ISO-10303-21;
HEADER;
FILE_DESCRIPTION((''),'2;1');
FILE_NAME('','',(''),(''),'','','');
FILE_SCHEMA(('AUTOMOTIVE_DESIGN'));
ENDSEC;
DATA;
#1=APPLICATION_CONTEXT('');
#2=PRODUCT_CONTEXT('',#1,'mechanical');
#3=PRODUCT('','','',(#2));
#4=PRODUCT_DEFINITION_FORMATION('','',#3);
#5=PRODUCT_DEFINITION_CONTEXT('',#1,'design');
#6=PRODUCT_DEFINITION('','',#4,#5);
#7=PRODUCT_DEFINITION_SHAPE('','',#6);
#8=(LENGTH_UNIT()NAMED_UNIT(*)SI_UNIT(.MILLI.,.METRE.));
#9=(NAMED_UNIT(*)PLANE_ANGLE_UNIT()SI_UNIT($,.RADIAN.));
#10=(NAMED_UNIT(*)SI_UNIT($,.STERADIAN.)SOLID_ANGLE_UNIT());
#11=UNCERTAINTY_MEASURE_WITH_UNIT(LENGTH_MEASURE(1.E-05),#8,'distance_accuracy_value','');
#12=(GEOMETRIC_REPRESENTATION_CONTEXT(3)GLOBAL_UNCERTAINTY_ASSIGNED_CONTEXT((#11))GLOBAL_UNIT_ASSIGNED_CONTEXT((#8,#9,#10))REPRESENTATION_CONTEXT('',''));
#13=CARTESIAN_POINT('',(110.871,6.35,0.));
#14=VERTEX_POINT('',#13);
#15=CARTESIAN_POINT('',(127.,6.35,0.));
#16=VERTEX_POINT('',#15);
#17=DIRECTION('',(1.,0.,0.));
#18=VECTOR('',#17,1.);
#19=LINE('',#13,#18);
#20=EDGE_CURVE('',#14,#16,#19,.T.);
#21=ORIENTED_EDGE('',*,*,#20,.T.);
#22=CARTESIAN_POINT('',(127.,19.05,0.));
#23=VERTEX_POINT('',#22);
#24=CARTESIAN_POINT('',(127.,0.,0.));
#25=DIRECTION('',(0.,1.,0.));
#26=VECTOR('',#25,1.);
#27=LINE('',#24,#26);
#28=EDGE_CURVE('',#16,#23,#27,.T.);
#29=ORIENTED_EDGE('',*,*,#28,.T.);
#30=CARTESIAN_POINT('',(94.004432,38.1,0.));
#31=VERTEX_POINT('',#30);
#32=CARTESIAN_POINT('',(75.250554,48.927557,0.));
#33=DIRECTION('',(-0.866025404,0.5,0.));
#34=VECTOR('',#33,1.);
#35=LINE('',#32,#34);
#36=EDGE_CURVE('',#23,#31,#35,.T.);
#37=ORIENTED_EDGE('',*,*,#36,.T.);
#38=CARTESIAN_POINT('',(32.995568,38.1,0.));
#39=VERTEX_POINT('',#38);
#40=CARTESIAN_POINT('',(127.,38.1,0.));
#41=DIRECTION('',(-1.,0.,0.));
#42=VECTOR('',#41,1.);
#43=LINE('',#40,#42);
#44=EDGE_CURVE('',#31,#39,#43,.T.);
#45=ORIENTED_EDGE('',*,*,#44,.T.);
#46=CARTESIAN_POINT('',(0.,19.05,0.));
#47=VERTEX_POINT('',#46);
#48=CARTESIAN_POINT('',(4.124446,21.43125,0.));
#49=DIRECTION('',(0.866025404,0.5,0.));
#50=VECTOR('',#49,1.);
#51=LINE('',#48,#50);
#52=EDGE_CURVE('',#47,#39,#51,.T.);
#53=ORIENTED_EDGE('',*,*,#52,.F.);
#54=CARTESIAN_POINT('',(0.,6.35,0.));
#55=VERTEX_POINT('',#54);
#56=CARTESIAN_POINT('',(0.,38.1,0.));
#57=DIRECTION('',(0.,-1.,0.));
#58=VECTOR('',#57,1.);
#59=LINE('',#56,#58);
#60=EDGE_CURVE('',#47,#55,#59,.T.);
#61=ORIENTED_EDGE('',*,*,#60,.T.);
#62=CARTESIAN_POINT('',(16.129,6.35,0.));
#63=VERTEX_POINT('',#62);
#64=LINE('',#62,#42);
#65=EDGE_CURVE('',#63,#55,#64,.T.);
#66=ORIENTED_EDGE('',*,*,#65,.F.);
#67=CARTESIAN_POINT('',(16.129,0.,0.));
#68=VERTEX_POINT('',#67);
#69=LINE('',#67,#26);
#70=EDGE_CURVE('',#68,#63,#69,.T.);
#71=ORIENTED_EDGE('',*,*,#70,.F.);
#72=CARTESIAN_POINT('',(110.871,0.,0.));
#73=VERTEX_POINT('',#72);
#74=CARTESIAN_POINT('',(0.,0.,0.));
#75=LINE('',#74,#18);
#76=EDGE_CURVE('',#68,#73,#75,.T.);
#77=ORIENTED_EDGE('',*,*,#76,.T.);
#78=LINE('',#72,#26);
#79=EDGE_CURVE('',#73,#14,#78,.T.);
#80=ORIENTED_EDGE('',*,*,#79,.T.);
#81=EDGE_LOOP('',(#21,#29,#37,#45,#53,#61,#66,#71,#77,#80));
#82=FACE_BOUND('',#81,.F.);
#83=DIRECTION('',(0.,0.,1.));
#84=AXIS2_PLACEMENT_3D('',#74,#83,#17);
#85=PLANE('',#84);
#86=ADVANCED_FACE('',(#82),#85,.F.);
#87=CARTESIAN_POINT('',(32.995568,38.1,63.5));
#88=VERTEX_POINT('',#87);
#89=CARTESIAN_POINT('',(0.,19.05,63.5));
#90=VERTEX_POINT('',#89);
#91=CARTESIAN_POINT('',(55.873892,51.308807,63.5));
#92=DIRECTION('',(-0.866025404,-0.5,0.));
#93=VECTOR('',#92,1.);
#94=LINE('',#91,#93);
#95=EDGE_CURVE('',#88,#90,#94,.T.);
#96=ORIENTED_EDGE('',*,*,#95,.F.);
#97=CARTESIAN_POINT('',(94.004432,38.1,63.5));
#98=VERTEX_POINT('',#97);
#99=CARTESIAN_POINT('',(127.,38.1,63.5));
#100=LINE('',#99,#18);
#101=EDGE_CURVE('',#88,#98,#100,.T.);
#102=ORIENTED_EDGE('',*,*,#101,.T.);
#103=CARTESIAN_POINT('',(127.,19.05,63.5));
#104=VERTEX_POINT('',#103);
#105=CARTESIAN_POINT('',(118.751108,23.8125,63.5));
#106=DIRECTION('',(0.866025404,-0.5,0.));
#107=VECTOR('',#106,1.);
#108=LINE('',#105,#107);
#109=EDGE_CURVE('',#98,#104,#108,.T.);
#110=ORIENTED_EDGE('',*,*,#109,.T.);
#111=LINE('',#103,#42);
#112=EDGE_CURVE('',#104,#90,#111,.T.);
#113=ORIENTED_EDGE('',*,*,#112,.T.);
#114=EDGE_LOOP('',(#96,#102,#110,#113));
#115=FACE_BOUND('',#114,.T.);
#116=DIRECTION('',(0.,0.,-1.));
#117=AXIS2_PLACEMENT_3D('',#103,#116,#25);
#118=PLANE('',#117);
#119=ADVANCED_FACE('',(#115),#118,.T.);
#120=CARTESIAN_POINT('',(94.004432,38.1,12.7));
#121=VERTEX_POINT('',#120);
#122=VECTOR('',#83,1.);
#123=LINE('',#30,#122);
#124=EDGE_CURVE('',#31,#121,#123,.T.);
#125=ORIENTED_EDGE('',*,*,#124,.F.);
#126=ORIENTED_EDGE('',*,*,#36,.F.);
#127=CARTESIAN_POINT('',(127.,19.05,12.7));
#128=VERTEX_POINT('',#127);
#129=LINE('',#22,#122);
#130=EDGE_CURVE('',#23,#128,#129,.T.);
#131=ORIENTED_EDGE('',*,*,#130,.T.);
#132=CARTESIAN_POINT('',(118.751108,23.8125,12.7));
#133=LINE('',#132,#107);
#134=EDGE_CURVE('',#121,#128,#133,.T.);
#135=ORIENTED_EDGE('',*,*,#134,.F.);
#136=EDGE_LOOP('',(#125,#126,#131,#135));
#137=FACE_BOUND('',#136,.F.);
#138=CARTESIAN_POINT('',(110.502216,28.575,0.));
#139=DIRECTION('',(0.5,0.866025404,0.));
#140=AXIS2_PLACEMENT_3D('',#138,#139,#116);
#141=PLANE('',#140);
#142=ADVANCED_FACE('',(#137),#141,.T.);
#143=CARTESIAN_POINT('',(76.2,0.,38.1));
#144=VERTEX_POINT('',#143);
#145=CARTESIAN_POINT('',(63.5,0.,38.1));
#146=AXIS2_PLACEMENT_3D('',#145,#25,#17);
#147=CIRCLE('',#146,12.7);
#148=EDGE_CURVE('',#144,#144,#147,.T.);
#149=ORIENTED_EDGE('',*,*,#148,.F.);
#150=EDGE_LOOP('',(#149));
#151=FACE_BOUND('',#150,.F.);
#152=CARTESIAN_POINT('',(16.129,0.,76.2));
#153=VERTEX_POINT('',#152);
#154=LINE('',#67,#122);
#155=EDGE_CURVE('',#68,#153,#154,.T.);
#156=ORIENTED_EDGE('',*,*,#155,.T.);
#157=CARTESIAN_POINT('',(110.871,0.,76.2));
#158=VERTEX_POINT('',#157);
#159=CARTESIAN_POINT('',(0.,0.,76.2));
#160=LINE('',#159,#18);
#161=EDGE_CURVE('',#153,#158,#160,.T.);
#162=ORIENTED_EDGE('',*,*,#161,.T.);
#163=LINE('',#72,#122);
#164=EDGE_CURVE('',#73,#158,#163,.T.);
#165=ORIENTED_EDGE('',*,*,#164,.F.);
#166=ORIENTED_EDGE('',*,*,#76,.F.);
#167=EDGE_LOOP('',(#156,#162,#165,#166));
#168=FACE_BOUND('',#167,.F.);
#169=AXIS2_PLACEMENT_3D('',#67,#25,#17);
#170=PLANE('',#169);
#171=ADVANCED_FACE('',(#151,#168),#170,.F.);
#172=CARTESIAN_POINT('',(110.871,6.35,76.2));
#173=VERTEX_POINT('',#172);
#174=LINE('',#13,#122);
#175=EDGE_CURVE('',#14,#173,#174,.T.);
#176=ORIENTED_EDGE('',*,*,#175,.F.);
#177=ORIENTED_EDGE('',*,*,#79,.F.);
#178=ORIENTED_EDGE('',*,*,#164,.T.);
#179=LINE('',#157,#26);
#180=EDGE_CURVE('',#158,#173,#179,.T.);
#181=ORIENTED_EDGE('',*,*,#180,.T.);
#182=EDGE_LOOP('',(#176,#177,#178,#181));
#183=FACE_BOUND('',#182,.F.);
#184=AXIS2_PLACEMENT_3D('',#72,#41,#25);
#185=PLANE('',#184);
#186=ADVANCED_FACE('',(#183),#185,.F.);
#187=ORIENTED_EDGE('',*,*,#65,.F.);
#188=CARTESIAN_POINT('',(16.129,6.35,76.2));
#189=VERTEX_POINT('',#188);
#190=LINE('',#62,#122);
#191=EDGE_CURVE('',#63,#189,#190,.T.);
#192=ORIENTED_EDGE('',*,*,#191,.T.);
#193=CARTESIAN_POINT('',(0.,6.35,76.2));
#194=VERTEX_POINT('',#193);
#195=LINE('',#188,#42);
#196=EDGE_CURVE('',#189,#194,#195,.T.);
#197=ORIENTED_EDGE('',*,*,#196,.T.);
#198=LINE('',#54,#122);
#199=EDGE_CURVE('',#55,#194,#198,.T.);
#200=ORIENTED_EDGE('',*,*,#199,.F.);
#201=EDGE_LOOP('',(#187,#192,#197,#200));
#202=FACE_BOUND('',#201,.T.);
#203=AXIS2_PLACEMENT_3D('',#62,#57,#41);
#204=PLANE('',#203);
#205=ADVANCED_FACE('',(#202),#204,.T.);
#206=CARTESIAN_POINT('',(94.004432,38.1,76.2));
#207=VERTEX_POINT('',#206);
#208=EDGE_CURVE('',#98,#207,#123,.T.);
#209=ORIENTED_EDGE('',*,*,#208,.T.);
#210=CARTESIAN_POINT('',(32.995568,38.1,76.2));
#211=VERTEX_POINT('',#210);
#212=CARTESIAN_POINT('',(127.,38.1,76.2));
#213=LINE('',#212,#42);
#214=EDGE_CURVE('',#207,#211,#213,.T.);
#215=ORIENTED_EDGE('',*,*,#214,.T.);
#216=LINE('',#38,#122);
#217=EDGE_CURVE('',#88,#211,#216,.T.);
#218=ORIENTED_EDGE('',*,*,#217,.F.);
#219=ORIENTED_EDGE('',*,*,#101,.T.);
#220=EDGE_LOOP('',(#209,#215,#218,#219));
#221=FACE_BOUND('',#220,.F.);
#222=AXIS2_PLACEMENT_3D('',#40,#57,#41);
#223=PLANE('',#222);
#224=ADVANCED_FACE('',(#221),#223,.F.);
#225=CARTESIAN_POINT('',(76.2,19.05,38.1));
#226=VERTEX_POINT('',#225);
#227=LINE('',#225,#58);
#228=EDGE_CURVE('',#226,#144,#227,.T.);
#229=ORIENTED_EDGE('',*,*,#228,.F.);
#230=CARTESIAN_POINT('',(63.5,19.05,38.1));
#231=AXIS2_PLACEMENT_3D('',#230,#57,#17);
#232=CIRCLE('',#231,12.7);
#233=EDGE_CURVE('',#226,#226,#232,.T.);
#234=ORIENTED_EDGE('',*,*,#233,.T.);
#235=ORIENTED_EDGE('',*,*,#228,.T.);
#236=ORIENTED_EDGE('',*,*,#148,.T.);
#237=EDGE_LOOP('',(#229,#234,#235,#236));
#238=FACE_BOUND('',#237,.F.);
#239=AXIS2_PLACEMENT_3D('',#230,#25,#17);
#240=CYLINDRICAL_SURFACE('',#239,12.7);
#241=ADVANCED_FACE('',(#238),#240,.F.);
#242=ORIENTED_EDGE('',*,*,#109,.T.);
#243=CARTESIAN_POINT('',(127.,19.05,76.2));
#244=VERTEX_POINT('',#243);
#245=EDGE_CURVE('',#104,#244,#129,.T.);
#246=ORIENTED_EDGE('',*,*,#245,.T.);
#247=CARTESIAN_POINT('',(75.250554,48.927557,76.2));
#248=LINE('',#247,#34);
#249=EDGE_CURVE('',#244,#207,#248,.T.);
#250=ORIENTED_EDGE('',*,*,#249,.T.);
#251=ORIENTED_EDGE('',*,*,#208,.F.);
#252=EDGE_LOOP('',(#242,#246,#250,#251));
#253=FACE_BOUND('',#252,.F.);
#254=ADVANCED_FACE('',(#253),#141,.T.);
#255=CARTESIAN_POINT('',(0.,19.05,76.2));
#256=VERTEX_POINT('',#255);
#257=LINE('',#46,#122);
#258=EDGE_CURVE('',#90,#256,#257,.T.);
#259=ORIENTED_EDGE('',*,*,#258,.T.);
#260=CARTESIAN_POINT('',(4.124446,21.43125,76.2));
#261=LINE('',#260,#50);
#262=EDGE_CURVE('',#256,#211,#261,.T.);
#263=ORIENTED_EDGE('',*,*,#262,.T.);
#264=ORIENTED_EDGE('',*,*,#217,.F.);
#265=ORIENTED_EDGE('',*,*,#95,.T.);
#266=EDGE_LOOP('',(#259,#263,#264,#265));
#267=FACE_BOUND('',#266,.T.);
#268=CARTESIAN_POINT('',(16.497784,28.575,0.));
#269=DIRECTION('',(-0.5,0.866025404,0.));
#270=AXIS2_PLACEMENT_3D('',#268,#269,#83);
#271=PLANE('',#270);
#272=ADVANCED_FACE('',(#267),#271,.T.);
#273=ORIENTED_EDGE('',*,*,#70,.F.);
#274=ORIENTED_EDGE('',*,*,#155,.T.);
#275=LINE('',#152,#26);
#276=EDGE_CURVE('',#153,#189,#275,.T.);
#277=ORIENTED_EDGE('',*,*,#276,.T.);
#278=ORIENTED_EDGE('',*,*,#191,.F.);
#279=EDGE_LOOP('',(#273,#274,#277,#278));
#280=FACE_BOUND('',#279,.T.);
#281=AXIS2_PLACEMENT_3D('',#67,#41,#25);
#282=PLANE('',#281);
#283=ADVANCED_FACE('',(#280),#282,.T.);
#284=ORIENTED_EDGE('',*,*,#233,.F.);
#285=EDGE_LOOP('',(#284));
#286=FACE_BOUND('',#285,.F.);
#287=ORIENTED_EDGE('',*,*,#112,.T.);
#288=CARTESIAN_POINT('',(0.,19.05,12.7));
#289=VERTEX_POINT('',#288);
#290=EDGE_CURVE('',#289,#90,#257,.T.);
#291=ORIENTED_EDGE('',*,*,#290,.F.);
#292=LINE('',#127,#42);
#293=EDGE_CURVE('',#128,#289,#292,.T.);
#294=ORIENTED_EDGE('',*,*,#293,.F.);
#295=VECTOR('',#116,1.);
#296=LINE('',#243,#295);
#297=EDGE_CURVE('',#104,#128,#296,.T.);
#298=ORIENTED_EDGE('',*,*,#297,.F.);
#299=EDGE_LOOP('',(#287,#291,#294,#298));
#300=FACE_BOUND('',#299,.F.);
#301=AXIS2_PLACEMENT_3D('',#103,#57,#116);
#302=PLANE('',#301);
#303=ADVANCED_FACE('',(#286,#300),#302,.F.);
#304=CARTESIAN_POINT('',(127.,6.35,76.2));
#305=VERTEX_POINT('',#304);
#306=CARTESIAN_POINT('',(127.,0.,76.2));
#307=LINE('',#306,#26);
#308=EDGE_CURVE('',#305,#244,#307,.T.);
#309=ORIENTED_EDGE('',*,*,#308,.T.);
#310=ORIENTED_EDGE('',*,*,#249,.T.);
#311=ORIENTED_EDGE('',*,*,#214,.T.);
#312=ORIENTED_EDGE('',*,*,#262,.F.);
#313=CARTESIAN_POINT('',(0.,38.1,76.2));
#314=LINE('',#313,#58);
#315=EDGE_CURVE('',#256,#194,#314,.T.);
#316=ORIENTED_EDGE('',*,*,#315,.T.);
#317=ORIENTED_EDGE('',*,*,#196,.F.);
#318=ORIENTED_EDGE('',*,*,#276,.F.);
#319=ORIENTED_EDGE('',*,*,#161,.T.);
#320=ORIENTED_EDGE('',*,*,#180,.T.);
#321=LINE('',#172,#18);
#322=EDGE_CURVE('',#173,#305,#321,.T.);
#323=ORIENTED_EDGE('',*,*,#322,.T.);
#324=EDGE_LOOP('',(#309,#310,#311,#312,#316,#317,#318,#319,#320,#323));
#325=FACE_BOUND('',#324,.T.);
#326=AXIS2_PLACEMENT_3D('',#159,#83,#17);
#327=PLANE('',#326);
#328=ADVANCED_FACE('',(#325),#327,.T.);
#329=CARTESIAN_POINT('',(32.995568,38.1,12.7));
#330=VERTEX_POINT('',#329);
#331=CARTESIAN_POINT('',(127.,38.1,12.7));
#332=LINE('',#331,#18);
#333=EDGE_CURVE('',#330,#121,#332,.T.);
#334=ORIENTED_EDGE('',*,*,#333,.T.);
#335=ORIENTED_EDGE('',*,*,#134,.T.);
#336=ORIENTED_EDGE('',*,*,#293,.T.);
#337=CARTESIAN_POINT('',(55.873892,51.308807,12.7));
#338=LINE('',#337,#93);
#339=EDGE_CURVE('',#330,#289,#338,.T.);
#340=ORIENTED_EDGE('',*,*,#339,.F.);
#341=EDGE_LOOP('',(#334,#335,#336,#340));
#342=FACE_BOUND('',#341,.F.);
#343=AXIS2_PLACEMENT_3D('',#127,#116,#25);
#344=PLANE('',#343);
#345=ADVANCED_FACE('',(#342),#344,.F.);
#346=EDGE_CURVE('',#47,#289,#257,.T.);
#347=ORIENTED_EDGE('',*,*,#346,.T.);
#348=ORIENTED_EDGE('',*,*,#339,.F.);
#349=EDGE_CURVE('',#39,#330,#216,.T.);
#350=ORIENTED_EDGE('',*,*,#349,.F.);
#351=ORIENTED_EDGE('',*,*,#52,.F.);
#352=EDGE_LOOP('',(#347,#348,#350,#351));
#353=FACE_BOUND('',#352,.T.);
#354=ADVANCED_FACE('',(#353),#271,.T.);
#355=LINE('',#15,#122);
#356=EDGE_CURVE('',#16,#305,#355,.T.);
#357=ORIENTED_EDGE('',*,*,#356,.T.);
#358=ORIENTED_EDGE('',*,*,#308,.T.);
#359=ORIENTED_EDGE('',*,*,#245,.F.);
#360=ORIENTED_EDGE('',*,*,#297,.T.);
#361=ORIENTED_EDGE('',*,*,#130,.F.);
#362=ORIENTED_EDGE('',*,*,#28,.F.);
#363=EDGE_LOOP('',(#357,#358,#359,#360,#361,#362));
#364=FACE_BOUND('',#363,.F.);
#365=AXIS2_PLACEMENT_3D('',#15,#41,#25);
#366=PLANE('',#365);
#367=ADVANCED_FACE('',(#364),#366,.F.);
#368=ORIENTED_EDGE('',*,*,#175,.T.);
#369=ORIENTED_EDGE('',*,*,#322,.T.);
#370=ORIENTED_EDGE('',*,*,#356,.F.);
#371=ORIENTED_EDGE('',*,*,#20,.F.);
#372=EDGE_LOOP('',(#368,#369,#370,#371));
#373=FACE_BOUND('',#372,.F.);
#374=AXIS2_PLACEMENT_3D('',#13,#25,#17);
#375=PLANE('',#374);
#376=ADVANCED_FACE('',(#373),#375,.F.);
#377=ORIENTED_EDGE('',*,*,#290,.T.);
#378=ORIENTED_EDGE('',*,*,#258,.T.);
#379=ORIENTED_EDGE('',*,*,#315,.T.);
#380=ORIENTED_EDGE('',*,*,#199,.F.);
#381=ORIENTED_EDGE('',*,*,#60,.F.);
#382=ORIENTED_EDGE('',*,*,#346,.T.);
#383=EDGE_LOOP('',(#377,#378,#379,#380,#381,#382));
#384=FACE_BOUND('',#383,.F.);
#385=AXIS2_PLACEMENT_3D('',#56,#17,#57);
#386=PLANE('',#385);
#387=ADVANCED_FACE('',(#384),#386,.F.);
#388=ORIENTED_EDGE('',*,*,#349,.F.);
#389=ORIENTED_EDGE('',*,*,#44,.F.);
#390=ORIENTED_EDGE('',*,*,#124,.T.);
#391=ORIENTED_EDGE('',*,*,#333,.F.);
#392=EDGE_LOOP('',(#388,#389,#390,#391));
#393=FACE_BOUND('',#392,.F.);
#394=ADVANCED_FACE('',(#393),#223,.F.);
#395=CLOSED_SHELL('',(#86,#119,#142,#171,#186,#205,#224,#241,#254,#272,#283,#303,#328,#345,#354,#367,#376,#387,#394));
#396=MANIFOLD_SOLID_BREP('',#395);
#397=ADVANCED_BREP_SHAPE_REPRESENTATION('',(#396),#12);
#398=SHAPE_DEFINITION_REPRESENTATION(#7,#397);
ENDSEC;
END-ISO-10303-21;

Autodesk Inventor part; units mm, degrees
ref_plane "YZ Plane" through (0, 0, 0) normal (1, 0, 0) x (0, 1, 0)
ref_plane "XZ Plane" through (0, 0, 0) normal (0, 1, 0) x (-1, 0, 0)
ref_plane "XY Plane" through (0, 0, 0) normal (0, 0, 1) x (1, 0, 0)
sketch "Sketch1" plane through (0, 0, 0) normal (0, 0, 1) x (1, 0, 0)
  line L0 (0, 0) -> (127, 0)
  line L1 (127, 0) -> (127, 38.1)
  line L2 (127, 38.1) -> (0, 38.1)
  line L3 (0, 38.1) -> (0, 0)
  line L4 (0, 0) -> (16.129, 0)
  line L5 (127, 0) -> (110.871, 0)
  line L6 (16.129, 0) -> (16.129, 6.35)
  line L7 (16.129, 6.35) -> (0, 6.35)
  line L8 (110.871, 0) -> (110.871, 6.35)
  line L9 (110.871, 6.35) -> (127, 6.35)
  dimension "d0" = 127
  dimension "d1" = 38.1
  dimension "d2" = 16.129
  dimension "d3" = 16.129
  dimension "d4" = 6.35
  dimension "d5" = 6.35
extrude "Extrusion1" add sketch "Sketch1" along normal blind 76.2 contours L6 L7 L3 L2 L1 L9 L8 L0
chamfer "Chamfer5" distance 19.05 angle 60 1 edges at (127, 38.1, 38.1) measured on face at (127, 16.9333, 25.4)
chamfer "Chamfer6" distance 19.05 angle 60 1 edges at (0, 38.1, 38.1) measured on face at (0, 27.5167, 25.4)
sketch "Sketch8" plane through (127, 6.35, 76.2) normal (1, 0, 0) x (0, 0, -1)
  line L0 (0, 31.75) -> (0, 12.7) projected
  line L1 (0, 12.7) -> (12.7, 12.7)
  line L2 (0, 12.7) -> (76.2, 12.7) projected
  line L3 (12.7, 12.7) -> (12.7, 39.5471)
  line L4 (76.2, 12.7) -> (63.5, 12.7)
  line L5 (63.5, 12.7) -> (63.5, 39.5471)
  line L6 (12.7, 39.5471) -> (63.5, 39.5471)
  point P0 (76.2, -6.35)
  dimension "d37" = 12.7
  dimension "d38" = 12.7
extrude "Extrusion5" cut sketch "Sketch8" against normal blind 254
sketch "Sketch9" plane through (127, 19.05, 63.5) normal (0, 1, 0) x (1, 0, 0)
  line L0 (-127, 50.8) -> (-127, 0) projected
  line L1 (0, 0) -> (-127, 0) projected
  line L2 (0, 0) -> (0, 50.8) projected
  line L3 (0, 50.8) -> (-127, 50.8) projected
  line L4 (-94.0044, 50.8) -> (-32.9956, 50.8) projected
  line L5 (-63.5, 50.8) -> (-63.5, 0)
  circle A0 centre (-63.5, 25.4) radius 12.7
  point P0 (-127, 63.5)
  dimension "d41" = 25.4
extrude "Extrusion6" cut sketch "Sketch9" against normal blind 254 contours A0 L5 | L5 A0
properties part number "Block2" material "Stainless Steel"
